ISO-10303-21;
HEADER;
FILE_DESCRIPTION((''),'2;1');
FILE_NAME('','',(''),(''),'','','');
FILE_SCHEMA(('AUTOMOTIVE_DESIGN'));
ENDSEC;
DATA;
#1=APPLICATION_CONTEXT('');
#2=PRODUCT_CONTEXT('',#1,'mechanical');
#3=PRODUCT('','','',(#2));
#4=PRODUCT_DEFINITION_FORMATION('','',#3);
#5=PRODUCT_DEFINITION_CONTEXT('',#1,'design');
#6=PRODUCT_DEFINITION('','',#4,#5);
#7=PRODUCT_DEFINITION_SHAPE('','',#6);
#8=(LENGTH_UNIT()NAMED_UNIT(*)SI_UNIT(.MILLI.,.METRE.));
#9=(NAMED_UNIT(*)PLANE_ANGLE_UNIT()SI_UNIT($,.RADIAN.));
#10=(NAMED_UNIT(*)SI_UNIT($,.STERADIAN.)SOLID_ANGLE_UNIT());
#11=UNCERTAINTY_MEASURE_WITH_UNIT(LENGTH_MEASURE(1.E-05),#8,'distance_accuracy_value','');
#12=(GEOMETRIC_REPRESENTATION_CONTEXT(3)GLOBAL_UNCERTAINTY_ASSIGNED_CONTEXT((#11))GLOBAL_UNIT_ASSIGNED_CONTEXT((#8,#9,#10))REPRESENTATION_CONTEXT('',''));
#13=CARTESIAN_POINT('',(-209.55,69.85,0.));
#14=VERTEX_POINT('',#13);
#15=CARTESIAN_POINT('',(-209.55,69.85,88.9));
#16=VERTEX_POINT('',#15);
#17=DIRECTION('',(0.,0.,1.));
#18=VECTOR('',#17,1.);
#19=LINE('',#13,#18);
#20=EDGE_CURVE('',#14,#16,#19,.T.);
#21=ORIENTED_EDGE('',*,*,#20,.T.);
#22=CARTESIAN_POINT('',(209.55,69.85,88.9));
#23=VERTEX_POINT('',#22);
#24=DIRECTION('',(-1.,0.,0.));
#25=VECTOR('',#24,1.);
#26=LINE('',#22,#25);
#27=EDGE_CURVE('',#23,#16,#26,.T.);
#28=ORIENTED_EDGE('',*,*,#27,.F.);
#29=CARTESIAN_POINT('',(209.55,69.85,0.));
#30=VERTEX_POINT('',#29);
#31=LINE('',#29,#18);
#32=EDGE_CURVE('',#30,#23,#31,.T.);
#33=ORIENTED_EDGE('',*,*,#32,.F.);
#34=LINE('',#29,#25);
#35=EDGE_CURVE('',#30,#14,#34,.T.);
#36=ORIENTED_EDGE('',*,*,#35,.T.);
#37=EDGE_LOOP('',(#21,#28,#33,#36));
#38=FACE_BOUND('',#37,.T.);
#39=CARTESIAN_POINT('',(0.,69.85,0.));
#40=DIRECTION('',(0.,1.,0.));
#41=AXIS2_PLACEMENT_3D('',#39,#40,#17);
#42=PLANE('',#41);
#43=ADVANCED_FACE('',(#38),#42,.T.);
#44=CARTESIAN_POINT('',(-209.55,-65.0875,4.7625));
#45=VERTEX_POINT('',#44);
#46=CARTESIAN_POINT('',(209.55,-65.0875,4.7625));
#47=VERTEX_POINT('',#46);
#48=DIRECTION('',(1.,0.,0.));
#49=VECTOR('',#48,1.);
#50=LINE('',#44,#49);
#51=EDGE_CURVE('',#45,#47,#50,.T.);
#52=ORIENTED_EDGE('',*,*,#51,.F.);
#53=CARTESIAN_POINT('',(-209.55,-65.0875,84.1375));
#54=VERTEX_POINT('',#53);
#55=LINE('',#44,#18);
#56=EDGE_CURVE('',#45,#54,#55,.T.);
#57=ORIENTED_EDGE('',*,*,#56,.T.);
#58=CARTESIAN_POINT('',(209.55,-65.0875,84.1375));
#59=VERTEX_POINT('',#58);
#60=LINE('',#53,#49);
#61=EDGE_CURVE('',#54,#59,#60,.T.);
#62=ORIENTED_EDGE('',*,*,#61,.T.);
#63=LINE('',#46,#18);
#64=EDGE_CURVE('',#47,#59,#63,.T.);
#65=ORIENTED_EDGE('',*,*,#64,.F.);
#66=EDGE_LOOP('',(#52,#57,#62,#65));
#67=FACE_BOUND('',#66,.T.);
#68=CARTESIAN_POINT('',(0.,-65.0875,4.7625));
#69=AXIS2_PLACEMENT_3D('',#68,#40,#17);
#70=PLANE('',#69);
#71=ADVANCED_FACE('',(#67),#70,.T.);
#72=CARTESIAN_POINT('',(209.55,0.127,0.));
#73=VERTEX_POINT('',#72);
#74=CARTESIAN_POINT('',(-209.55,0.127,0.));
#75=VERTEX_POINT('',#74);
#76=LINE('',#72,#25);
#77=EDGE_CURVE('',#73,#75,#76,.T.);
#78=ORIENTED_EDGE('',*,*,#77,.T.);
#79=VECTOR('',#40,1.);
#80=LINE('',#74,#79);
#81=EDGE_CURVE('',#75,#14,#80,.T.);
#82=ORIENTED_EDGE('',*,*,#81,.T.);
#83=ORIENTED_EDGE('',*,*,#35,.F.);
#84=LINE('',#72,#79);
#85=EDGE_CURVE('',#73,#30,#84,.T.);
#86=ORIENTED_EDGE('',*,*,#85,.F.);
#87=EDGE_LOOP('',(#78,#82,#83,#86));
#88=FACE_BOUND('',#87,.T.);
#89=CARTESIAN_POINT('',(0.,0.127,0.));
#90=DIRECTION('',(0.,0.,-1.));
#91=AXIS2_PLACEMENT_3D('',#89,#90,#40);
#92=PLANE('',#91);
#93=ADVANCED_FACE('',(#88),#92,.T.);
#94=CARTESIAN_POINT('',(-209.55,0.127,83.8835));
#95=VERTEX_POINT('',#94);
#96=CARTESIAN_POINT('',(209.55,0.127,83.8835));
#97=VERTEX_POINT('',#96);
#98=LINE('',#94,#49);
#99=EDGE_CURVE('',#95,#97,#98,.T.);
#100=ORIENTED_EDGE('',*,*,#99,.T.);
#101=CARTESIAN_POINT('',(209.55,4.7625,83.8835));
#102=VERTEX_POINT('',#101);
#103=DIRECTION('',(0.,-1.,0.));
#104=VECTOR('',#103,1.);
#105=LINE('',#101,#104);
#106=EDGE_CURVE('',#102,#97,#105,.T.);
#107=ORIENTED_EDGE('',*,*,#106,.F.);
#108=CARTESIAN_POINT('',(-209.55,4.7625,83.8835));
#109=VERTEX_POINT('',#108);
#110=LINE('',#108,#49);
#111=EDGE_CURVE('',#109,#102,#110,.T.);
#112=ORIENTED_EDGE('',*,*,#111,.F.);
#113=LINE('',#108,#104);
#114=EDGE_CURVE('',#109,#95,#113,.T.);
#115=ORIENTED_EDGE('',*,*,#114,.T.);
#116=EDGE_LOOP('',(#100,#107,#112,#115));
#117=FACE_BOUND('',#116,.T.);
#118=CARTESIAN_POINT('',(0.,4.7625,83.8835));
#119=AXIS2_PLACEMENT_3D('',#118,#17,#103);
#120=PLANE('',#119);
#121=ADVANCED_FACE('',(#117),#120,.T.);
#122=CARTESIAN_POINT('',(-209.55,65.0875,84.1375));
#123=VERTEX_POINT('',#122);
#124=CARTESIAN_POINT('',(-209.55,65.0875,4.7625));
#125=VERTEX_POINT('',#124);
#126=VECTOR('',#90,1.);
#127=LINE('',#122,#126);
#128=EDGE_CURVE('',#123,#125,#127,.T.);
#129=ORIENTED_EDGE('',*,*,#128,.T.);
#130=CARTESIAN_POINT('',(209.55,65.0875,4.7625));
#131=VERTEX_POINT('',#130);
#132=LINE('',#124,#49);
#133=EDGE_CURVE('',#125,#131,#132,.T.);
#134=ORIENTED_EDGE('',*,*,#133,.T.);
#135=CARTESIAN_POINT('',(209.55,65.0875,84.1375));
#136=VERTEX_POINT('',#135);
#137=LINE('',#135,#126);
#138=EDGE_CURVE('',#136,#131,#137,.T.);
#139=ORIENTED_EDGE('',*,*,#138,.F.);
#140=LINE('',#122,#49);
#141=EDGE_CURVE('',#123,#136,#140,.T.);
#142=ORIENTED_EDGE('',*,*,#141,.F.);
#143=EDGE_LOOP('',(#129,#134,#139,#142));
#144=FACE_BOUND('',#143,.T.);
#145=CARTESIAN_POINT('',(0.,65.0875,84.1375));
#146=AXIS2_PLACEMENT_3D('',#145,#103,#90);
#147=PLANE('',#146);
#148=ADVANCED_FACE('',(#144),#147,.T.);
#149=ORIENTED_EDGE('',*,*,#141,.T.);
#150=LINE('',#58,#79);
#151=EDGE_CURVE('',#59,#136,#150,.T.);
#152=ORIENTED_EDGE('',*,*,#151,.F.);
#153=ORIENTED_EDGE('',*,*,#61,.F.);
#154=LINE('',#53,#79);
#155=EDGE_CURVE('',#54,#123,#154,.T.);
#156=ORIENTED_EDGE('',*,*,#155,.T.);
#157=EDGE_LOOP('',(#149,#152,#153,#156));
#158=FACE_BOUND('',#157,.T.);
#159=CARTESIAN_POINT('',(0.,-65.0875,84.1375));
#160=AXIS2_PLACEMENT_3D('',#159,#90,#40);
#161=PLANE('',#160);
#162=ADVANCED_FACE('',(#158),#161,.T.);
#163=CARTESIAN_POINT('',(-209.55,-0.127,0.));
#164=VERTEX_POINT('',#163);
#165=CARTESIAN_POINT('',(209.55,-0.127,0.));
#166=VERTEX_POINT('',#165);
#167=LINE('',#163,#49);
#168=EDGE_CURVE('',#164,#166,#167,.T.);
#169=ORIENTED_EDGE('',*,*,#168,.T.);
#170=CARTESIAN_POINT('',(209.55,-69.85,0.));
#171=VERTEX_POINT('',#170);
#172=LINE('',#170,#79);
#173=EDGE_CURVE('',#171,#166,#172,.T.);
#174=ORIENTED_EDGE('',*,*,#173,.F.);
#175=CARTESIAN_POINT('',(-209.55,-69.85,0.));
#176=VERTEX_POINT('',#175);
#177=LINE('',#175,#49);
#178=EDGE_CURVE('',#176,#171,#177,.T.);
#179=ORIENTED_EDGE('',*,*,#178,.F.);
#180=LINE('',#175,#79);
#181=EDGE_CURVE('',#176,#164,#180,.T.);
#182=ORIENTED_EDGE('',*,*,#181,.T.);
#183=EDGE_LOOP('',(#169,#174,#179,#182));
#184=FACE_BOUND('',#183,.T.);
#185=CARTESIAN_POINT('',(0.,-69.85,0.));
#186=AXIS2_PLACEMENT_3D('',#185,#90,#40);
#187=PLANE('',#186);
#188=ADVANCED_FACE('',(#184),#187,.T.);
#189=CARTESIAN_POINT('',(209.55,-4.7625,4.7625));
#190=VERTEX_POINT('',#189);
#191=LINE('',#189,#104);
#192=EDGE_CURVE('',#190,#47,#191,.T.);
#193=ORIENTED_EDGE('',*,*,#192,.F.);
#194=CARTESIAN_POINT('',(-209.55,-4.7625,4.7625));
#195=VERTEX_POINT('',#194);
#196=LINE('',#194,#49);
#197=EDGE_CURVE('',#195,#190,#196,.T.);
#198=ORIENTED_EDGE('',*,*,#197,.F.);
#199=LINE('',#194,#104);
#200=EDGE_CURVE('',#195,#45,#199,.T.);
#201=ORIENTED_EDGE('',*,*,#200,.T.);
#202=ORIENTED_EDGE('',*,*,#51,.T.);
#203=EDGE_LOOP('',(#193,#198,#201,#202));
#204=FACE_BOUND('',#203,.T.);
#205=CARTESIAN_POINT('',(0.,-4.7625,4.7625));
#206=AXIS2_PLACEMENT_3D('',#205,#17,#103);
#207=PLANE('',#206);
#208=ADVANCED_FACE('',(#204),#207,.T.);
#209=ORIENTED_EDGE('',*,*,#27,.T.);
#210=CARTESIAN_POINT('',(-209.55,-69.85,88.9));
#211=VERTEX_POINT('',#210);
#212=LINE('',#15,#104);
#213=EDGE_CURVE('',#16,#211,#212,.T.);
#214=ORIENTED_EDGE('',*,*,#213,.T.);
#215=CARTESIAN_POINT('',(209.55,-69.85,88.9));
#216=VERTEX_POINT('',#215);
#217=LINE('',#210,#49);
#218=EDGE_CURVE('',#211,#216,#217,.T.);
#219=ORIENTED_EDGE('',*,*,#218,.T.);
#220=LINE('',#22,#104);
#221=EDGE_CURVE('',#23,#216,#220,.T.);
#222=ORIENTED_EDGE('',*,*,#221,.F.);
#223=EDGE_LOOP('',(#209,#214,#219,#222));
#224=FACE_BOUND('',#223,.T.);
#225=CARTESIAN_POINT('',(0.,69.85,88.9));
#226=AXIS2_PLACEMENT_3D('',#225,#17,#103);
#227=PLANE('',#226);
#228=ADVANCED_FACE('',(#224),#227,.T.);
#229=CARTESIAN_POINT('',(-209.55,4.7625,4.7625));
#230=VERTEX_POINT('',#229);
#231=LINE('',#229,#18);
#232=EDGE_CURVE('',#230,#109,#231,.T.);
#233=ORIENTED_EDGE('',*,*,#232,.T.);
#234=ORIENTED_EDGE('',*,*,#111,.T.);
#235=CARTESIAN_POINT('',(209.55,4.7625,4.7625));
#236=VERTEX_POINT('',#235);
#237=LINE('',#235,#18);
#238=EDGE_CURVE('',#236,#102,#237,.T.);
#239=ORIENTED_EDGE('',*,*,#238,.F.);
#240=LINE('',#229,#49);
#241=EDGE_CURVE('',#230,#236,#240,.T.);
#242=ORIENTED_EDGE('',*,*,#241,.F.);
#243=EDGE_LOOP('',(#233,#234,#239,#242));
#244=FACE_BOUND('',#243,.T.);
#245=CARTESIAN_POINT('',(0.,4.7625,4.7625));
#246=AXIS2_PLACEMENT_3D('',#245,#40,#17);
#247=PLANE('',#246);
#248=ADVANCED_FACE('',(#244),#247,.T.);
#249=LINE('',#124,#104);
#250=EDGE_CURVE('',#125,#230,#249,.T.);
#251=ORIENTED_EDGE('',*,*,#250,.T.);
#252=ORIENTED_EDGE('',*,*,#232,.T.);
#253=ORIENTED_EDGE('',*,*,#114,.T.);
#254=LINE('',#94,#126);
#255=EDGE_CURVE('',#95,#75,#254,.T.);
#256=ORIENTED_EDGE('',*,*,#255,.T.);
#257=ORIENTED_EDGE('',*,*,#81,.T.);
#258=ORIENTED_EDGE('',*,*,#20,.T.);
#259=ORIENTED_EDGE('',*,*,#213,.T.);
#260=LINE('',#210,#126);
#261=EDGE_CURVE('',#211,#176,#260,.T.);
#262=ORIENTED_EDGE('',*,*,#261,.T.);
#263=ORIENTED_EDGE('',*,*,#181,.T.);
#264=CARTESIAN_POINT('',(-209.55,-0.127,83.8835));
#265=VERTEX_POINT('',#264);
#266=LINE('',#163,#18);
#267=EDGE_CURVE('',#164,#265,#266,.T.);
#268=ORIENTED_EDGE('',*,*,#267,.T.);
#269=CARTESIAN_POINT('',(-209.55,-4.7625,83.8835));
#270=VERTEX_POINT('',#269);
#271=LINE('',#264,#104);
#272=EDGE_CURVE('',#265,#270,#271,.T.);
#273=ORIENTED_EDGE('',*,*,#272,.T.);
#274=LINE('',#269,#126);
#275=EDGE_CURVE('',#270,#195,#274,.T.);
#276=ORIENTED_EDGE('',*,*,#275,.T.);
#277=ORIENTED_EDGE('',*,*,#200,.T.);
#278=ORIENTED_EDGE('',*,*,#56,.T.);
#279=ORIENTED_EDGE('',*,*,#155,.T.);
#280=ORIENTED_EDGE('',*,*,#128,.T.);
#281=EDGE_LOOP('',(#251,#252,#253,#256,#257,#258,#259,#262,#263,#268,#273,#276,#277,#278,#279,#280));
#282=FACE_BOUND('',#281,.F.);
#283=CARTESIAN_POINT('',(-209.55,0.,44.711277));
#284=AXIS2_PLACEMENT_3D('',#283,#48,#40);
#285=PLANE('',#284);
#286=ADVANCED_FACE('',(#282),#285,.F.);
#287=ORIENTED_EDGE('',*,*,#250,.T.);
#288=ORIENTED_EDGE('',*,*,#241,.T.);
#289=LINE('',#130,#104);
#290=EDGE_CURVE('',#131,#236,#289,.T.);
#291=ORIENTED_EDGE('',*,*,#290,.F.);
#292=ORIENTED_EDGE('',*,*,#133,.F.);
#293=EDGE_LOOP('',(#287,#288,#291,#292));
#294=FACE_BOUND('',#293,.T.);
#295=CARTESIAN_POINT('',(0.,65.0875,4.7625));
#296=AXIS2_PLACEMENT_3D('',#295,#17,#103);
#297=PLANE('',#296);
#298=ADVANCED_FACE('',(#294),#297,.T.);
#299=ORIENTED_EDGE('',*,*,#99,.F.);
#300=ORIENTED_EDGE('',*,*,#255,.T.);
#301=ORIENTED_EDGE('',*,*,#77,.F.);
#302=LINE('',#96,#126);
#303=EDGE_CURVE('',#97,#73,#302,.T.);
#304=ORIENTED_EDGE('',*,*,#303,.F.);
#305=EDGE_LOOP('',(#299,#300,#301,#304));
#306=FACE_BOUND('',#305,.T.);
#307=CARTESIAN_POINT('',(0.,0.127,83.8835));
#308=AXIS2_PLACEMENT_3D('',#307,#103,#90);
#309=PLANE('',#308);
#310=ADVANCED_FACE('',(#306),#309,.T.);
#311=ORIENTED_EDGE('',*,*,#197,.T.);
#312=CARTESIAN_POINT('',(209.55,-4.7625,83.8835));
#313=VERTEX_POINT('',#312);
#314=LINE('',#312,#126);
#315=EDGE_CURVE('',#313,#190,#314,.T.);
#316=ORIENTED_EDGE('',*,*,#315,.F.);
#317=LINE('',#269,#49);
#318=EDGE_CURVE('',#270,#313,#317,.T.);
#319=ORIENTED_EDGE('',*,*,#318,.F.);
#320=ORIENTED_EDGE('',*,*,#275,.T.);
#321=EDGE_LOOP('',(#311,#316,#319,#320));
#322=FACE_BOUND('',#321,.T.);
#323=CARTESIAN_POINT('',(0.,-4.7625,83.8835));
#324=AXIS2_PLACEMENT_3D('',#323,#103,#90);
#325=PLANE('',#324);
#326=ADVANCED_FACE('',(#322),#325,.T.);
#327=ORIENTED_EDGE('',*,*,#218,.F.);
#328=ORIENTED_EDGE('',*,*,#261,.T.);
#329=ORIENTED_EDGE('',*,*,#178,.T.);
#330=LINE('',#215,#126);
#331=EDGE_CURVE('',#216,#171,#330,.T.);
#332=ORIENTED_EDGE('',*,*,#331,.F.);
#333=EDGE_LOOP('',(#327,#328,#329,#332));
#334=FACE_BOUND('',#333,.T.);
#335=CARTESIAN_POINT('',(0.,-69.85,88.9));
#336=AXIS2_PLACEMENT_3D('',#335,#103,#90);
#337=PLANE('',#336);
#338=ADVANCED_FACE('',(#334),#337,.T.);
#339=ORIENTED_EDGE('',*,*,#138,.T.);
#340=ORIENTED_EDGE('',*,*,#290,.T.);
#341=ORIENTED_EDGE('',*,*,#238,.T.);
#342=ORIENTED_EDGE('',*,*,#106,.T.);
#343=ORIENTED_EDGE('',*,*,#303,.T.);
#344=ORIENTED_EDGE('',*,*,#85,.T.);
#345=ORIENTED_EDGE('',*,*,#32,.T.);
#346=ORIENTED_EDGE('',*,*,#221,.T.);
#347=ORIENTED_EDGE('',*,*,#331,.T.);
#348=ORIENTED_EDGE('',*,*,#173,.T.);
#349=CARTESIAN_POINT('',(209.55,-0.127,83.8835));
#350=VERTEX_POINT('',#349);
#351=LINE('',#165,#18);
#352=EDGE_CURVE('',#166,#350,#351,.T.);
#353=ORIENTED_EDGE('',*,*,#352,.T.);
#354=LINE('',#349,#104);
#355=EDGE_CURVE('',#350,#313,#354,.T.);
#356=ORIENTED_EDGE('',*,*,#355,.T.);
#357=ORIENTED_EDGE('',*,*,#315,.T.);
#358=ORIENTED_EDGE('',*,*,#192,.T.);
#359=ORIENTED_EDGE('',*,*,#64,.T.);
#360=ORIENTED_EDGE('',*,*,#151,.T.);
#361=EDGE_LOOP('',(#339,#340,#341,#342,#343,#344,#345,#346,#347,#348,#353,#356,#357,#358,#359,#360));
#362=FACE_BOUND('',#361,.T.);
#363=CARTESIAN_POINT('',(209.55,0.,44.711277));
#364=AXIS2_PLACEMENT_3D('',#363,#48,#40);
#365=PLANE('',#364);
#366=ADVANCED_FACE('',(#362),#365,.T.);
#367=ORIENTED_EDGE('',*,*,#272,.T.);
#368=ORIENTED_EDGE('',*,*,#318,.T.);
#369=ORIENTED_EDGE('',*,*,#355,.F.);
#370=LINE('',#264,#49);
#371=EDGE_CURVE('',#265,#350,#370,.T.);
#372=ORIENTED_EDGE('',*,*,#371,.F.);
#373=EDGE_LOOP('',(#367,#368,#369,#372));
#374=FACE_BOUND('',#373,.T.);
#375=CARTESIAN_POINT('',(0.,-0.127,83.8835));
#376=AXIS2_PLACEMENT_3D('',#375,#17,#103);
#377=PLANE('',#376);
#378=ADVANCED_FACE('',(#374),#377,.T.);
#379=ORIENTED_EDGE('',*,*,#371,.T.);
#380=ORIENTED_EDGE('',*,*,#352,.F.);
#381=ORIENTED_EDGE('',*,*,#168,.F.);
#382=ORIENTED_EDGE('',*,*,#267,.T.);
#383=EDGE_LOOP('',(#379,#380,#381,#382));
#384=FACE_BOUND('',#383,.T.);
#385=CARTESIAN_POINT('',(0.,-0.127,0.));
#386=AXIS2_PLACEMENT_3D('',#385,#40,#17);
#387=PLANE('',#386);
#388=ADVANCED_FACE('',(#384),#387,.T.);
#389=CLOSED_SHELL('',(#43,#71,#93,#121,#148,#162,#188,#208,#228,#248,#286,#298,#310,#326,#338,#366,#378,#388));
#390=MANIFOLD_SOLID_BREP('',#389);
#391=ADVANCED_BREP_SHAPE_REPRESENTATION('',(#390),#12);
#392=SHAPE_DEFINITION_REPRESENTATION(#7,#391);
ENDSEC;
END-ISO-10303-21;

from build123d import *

# Parameters (mm, degrees)
F1_DEPTH = 209.55


with BuildPart() as f1:
    # F0 (on Right) → F1 (new body, symmetric)
    with BuildSketch(Plane.YZ):
        Polygon((69.85, 88.9), (-69.85, 88.9), (-69.85, 0), (-0.127, 0), (-0.127, 83.8835), (-4.7625, 83.8835), (-4.7625, 4.7625), (-65.0875, 4.7625), (-65.0875, 84.1375), (65.0875, 84.1375), (65.0875, 4.7625), (4.7625, 4.7625), (4.7625, 83.8835), (0.127, 83.8835), (0.127, 0), (69.85, 0), align=None)
    extrude(amount=F1_DEPTH, both=True)


solid = f1.part
